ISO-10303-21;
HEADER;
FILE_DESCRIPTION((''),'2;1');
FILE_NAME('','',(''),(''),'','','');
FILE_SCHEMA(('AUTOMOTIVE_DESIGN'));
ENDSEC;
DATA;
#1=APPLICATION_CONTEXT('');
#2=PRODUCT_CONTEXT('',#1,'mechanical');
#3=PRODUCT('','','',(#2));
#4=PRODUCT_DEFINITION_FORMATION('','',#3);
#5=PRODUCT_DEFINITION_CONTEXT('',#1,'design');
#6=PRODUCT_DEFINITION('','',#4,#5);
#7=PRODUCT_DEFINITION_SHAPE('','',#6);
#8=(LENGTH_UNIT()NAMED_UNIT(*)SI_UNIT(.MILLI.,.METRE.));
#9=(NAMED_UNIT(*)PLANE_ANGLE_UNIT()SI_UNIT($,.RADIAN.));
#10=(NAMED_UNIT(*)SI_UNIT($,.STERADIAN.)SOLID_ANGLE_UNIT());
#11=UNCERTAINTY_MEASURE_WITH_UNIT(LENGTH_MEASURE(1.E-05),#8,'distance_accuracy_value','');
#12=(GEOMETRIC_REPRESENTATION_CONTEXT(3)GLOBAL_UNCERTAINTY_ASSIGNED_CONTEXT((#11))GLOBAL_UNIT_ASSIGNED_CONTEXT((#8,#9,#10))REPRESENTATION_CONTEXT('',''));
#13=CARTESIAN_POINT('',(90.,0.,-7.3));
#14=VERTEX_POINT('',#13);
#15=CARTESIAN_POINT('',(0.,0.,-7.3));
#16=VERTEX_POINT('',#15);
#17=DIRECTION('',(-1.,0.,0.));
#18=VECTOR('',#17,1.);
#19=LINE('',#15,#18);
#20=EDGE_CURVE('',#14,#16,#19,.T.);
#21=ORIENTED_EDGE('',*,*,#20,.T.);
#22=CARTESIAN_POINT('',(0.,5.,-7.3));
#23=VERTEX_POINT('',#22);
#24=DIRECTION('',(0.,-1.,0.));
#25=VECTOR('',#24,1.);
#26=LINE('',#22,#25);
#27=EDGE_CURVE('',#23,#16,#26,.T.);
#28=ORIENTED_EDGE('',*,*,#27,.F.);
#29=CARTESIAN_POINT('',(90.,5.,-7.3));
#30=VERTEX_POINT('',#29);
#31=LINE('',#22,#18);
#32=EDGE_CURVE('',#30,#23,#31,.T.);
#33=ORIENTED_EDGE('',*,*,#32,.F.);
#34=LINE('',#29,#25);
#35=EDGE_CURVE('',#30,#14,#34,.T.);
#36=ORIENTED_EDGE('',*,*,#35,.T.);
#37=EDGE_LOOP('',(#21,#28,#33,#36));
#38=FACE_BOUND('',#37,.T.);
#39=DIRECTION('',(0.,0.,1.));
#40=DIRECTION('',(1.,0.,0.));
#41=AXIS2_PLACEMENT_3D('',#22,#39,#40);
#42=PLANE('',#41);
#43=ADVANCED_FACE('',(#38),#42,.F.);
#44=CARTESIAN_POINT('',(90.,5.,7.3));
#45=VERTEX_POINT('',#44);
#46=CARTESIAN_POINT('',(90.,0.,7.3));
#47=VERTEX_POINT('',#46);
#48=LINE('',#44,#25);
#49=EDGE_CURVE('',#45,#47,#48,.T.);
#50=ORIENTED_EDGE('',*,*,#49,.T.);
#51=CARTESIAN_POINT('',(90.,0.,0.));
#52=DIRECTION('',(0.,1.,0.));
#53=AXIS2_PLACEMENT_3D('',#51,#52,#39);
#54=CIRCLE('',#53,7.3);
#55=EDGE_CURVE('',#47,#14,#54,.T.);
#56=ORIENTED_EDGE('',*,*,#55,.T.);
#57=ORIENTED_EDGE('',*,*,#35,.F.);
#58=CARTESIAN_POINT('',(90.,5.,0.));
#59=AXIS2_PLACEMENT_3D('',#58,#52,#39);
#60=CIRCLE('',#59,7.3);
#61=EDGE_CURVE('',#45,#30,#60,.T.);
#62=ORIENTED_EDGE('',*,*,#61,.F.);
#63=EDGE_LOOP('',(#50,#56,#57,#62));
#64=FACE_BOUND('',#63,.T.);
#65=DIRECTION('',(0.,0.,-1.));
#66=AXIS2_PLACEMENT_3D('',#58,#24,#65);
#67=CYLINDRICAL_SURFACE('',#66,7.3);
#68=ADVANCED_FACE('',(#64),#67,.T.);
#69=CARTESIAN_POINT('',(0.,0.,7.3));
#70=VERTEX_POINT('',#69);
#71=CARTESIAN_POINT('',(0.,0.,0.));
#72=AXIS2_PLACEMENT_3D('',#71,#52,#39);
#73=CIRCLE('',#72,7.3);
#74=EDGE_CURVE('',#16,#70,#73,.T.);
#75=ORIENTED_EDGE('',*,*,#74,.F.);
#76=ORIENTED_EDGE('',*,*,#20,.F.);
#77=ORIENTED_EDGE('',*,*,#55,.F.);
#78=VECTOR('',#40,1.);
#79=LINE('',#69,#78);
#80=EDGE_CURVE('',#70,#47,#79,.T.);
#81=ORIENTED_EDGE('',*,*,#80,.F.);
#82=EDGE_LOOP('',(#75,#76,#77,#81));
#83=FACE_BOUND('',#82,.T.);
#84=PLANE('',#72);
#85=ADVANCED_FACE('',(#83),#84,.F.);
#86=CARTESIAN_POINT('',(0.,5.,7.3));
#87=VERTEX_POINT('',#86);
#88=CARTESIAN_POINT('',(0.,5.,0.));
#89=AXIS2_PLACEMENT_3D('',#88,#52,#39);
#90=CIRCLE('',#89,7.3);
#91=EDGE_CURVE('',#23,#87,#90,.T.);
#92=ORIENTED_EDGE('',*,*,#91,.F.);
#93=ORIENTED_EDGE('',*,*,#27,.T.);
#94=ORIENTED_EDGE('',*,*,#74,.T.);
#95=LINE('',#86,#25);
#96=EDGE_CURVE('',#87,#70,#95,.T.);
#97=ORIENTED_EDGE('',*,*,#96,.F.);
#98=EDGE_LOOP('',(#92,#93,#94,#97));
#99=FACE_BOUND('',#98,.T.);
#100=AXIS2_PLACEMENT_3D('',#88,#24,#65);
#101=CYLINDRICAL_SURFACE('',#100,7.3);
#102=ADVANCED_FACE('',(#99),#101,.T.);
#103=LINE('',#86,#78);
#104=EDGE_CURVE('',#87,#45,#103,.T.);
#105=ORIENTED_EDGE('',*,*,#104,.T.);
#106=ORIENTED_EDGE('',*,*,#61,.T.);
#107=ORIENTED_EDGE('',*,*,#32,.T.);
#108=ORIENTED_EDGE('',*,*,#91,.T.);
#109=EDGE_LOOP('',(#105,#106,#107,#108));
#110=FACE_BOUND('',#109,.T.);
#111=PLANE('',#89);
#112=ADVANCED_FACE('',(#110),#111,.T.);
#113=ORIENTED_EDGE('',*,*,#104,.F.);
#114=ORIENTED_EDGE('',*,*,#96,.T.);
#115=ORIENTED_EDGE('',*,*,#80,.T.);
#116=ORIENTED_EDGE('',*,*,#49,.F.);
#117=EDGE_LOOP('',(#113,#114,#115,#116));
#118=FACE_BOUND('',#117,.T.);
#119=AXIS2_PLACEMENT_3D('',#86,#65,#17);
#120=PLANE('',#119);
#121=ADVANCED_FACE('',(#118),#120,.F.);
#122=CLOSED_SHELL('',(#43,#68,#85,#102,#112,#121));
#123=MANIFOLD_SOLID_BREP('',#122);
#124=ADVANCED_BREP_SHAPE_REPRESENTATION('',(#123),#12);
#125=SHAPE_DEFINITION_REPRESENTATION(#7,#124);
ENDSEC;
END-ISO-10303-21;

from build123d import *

# Parameters (mm, degrees)
BOSS_EXTRUDE1_DEPTH = 5


with BuildPart() as part:
    # Sketch1 → Boss-Extrude1 (new body)
    with BuildSketch(Plane(origin=(0, 0, 0), x_dir=(1, 0, 0), z_dir=(0, 1, 0))):
        with BuildLine():
            Line((0, 7.3), (90, 7.3))
            ThreePointArc((90, 7.3), (97.3, 0), (90, -7.3))
            Line((90, -7.3), (0, -7.3))
            ThreePointArc((0, -7.3), (-7.3, 0), (0, 7.3))
        make_face()
    extrude(amount=BOSS_EXTRUDE1_DEPTH)


solid = part.part
